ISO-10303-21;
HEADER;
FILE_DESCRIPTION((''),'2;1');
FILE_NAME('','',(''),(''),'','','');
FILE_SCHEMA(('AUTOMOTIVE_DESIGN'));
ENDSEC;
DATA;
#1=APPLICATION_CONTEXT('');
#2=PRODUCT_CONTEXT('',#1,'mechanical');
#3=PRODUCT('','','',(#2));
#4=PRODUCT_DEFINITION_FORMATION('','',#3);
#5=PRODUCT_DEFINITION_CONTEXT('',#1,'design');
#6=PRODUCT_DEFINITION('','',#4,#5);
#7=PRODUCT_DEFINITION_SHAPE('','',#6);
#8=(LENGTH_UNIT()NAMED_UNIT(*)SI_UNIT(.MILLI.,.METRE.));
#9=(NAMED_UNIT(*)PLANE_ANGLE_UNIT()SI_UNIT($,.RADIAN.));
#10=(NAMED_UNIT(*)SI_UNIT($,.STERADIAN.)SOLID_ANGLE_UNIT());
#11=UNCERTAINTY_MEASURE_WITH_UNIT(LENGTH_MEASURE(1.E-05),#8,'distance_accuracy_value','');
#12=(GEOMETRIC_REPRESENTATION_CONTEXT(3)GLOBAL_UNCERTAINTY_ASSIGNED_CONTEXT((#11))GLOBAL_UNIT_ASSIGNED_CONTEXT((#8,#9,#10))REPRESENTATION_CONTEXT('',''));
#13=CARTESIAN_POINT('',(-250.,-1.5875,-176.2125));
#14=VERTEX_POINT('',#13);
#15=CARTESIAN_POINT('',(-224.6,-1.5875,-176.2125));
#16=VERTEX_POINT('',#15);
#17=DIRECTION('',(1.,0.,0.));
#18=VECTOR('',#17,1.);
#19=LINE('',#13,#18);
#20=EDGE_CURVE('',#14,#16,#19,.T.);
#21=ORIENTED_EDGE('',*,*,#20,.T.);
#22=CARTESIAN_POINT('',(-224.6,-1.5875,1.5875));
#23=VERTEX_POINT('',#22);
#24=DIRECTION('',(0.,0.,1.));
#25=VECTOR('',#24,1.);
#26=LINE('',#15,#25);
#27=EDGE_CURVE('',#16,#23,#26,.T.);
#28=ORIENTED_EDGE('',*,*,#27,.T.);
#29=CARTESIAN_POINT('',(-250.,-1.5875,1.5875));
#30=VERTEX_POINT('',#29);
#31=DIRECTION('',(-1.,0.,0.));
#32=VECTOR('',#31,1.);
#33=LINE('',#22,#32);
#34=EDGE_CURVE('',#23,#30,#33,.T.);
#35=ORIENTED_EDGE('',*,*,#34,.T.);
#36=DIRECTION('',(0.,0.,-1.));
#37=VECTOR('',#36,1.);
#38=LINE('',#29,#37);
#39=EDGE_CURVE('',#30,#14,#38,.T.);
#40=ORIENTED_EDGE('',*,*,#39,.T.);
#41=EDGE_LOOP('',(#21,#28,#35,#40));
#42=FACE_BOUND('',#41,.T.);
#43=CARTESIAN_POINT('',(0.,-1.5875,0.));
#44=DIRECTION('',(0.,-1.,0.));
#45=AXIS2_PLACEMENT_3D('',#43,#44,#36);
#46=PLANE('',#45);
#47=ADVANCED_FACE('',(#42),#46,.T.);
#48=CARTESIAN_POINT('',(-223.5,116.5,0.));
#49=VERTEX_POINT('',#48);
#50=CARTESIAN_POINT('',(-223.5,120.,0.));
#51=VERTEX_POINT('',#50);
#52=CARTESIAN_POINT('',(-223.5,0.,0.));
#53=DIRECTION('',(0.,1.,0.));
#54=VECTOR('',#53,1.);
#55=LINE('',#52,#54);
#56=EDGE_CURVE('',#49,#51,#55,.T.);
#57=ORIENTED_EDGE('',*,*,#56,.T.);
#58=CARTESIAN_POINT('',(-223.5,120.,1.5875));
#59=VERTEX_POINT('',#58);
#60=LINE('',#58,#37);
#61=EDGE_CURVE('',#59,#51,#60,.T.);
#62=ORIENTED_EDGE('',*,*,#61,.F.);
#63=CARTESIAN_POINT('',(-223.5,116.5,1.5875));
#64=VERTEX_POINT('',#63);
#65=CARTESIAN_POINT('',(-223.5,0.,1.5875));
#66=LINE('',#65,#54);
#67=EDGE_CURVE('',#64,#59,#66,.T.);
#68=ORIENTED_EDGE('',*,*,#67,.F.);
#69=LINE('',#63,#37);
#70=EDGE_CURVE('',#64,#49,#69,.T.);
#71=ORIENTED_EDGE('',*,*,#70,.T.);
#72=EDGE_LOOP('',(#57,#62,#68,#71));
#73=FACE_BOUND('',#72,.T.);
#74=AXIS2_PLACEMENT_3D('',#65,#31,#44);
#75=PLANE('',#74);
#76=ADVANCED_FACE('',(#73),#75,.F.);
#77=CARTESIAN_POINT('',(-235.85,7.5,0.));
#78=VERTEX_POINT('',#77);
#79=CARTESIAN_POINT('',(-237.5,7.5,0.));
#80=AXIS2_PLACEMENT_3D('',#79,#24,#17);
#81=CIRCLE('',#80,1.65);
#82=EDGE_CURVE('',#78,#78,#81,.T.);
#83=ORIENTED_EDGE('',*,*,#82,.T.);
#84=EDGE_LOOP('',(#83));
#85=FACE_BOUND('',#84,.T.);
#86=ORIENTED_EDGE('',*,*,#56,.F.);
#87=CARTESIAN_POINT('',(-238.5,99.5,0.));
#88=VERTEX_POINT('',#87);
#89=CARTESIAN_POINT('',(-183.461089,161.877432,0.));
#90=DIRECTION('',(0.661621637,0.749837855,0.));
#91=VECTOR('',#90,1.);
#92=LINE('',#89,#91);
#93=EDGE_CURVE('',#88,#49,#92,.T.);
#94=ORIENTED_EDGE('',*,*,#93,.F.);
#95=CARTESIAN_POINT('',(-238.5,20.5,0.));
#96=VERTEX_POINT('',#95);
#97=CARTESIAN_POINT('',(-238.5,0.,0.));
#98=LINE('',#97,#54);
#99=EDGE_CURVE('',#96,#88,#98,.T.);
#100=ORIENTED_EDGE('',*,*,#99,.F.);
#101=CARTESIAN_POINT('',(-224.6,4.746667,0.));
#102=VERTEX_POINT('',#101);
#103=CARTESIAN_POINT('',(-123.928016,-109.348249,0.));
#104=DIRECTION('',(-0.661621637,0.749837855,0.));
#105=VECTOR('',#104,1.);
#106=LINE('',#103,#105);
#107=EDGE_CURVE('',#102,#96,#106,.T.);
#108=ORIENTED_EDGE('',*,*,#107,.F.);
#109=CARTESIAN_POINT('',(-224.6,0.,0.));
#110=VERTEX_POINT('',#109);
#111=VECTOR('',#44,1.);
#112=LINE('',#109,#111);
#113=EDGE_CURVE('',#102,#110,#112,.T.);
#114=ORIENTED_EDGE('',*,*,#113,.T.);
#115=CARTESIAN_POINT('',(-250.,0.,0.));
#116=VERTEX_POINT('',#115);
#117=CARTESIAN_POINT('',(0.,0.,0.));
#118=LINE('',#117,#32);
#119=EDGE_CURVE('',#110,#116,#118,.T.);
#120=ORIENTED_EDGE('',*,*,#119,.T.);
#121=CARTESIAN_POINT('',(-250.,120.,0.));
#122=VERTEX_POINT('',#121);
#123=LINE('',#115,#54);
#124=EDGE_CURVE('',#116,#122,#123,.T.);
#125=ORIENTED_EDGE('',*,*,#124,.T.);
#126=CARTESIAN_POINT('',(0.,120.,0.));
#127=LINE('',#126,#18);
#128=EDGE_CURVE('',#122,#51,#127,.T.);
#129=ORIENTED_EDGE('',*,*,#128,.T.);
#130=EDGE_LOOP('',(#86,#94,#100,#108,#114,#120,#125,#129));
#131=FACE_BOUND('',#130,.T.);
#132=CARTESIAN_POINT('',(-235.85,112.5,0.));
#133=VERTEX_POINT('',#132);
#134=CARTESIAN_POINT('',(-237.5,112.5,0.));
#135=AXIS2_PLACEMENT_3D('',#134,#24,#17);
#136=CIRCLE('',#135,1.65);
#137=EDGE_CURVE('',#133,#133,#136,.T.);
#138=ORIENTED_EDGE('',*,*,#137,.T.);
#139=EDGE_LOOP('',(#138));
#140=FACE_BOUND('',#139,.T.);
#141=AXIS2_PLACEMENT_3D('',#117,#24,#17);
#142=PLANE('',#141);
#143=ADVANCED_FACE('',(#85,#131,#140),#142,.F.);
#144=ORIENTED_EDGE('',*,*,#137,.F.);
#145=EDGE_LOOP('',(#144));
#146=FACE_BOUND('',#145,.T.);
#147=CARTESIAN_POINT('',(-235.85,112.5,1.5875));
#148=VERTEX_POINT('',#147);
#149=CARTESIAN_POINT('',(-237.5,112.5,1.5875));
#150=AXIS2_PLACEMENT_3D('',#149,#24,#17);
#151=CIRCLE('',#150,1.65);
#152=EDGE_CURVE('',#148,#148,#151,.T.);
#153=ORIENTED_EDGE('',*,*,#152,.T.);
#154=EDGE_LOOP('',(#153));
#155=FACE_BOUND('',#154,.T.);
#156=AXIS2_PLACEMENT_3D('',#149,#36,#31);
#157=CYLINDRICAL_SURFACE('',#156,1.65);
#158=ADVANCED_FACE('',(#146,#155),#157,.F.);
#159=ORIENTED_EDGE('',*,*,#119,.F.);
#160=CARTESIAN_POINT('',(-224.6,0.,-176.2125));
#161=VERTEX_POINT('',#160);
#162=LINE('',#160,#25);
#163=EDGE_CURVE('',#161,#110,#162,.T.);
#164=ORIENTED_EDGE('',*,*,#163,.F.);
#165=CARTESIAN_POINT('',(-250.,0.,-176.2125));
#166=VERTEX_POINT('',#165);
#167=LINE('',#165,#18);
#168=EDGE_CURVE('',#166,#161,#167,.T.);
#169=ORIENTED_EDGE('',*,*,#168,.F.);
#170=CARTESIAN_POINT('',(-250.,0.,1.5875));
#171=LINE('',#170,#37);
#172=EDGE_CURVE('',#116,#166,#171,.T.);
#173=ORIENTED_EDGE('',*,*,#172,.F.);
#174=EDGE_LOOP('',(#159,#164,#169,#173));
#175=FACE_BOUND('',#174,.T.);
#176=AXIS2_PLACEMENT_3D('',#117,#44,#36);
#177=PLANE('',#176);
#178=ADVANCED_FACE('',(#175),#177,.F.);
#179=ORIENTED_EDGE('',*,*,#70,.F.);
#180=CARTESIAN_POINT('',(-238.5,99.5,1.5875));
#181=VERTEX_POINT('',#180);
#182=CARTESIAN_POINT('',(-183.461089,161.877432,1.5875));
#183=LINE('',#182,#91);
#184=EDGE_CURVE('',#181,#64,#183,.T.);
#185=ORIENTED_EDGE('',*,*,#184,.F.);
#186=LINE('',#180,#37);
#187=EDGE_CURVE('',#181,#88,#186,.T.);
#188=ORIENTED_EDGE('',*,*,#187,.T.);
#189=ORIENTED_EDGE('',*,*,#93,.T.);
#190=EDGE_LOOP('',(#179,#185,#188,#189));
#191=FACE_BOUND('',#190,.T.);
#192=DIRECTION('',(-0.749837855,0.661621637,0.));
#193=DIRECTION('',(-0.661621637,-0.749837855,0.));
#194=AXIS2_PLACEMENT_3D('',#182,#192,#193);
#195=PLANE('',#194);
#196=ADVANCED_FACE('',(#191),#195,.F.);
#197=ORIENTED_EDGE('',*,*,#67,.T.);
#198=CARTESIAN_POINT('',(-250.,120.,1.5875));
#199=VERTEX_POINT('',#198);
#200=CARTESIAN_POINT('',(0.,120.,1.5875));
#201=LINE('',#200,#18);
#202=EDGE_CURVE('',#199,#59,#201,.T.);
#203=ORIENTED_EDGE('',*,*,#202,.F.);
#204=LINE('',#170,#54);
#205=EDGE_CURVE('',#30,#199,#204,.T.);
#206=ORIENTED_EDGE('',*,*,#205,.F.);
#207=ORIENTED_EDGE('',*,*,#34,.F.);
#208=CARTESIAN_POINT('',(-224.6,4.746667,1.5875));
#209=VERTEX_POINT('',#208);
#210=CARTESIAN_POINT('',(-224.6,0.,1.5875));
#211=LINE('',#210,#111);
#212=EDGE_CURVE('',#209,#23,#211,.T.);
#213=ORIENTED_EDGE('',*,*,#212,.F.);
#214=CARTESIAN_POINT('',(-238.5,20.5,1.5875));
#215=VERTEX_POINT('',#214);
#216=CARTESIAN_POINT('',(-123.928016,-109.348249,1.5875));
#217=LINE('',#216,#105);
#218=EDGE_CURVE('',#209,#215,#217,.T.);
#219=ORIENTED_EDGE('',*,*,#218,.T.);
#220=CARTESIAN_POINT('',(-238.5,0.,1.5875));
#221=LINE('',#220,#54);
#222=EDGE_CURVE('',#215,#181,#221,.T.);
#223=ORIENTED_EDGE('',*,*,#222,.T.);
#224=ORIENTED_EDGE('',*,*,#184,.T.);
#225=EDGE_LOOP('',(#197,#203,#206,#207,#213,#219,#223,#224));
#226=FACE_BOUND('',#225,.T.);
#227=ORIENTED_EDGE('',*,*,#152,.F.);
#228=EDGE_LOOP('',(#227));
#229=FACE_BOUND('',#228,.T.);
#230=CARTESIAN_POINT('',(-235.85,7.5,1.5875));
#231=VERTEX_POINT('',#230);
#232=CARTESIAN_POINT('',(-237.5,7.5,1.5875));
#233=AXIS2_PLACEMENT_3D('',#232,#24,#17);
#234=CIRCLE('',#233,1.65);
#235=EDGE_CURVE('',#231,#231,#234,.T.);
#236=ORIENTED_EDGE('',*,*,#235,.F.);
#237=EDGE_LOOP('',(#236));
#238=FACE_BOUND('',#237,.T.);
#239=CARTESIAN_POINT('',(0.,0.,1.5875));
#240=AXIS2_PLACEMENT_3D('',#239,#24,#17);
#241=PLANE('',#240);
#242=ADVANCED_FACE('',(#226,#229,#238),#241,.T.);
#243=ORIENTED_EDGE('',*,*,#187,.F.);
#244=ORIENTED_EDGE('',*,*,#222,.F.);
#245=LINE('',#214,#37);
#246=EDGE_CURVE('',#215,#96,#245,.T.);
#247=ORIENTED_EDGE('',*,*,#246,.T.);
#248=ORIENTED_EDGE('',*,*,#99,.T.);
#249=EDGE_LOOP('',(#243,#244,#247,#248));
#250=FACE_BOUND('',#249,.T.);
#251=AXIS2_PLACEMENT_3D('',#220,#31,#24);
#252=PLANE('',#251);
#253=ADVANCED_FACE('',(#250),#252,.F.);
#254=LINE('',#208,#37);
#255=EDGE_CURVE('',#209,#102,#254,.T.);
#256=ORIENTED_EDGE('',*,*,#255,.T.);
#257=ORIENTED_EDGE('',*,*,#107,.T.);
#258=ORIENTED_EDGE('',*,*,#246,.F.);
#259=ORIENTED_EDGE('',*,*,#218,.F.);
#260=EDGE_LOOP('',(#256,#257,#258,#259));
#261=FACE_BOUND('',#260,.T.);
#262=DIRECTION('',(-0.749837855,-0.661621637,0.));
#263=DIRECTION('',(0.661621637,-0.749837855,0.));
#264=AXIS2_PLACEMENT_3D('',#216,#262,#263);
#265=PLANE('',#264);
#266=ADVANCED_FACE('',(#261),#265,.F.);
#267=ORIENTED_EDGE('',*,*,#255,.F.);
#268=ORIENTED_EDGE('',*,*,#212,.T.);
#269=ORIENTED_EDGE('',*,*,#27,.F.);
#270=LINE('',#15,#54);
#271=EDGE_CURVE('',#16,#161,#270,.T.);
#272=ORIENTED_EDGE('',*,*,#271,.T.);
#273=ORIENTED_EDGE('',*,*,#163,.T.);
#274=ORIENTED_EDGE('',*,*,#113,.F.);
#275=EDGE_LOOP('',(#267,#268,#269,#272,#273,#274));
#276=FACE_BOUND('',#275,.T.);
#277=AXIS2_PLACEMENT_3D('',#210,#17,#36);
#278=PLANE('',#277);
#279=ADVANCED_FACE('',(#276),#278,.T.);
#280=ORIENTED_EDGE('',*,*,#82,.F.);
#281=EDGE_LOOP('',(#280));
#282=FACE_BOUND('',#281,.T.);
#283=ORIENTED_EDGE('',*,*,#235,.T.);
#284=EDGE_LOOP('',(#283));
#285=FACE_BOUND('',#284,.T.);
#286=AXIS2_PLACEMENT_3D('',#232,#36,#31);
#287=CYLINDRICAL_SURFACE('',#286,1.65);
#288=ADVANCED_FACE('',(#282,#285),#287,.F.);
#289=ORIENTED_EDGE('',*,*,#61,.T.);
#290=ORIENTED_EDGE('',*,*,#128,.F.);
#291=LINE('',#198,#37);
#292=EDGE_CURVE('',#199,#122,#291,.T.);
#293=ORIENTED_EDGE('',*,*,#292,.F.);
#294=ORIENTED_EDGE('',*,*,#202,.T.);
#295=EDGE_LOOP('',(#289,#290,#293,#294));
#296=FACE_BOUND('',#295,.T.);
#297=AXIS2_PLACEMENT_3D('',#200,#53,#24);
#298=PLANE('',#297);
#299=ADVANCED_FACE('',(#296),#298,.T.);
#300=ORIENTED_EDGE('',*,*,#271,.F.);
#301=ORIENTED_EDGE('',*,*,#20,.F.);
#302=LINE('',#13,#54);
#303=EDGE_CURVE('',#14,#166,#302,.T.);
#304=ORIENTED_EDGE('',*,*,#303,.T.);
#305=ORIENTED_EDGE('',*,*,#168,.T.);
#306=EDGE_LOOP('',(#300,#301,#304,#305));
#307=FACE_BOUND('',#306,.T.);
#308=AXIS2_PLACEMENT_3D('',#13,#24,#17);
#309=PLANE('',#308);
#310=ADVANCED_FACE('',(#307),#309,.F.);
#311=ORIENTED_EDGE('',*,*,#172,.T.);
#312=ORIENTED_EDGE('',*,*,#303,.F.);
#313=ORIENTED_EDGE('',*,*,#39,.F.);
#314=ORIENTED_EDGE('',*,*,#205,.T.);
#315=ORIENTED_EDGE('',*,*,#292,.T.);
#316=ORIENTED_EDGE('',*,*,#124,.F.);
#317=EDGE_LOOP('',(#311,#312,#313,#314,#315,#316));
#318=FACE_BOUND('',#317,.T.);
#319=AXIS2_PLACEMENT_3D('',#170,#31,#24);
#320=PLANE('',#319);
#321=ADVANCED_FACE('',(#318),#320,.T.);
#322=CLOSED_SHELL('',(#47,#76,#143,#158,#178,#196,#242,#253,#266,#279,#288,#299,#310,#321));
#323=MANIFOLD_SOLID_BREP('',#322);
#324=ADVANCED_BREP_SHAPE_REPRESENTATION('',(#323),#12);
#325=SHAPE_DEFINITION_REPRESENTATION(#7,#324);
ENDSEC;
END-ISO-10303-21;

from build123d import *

# Parameters (mm, degrees)
SKETCH1_R           = 1.65
BOSS_EXTRUDE1_DEPTH = 1.5875
SKETCH2_W           = 25.4
SKETCH2_H           = 177.8
BOSS_EXTRUDE2_DEPTH = 1.5875


with BuildPart() as part:
    # Sketch1 → Boss-Extrude1 (new body)
    with BuildSketch(Plane.XY):
        Polygon((-223.5, 120), (-250, 120), (-250, 0), (-224.6, 0), (-224.6, 4.746666667), (-238.5, 20.5), (-238.5, 99.5), (-223.5, 116.5), align=None)
        with Locations((-237.5, 7.5)):
            Circle(SKETCH1_R, mode=Mode.SUBTRACT)
        with Locations((-237.5, 112.5)):
            Circle(SKETCH1_R, mode=Mode.SUBTRACT)
    extrude(amount=BOSS_EXTRUDE1_DEPTH)

    # Sketch2 → Boss-Extrude2 (add)
    with BuildSketch(Plane(origin=(0, 0, 0), x_dir=(1, 0, 0), z_dir=(0, 1, 0))):
        with Locations((-237.3, 87.3125)):
            Rectangle(SKETCH2_W, SKETCH2_H)
    extrude(amount=-BOSS_EXTRUDE2_DEPTH)


solid = part.part
